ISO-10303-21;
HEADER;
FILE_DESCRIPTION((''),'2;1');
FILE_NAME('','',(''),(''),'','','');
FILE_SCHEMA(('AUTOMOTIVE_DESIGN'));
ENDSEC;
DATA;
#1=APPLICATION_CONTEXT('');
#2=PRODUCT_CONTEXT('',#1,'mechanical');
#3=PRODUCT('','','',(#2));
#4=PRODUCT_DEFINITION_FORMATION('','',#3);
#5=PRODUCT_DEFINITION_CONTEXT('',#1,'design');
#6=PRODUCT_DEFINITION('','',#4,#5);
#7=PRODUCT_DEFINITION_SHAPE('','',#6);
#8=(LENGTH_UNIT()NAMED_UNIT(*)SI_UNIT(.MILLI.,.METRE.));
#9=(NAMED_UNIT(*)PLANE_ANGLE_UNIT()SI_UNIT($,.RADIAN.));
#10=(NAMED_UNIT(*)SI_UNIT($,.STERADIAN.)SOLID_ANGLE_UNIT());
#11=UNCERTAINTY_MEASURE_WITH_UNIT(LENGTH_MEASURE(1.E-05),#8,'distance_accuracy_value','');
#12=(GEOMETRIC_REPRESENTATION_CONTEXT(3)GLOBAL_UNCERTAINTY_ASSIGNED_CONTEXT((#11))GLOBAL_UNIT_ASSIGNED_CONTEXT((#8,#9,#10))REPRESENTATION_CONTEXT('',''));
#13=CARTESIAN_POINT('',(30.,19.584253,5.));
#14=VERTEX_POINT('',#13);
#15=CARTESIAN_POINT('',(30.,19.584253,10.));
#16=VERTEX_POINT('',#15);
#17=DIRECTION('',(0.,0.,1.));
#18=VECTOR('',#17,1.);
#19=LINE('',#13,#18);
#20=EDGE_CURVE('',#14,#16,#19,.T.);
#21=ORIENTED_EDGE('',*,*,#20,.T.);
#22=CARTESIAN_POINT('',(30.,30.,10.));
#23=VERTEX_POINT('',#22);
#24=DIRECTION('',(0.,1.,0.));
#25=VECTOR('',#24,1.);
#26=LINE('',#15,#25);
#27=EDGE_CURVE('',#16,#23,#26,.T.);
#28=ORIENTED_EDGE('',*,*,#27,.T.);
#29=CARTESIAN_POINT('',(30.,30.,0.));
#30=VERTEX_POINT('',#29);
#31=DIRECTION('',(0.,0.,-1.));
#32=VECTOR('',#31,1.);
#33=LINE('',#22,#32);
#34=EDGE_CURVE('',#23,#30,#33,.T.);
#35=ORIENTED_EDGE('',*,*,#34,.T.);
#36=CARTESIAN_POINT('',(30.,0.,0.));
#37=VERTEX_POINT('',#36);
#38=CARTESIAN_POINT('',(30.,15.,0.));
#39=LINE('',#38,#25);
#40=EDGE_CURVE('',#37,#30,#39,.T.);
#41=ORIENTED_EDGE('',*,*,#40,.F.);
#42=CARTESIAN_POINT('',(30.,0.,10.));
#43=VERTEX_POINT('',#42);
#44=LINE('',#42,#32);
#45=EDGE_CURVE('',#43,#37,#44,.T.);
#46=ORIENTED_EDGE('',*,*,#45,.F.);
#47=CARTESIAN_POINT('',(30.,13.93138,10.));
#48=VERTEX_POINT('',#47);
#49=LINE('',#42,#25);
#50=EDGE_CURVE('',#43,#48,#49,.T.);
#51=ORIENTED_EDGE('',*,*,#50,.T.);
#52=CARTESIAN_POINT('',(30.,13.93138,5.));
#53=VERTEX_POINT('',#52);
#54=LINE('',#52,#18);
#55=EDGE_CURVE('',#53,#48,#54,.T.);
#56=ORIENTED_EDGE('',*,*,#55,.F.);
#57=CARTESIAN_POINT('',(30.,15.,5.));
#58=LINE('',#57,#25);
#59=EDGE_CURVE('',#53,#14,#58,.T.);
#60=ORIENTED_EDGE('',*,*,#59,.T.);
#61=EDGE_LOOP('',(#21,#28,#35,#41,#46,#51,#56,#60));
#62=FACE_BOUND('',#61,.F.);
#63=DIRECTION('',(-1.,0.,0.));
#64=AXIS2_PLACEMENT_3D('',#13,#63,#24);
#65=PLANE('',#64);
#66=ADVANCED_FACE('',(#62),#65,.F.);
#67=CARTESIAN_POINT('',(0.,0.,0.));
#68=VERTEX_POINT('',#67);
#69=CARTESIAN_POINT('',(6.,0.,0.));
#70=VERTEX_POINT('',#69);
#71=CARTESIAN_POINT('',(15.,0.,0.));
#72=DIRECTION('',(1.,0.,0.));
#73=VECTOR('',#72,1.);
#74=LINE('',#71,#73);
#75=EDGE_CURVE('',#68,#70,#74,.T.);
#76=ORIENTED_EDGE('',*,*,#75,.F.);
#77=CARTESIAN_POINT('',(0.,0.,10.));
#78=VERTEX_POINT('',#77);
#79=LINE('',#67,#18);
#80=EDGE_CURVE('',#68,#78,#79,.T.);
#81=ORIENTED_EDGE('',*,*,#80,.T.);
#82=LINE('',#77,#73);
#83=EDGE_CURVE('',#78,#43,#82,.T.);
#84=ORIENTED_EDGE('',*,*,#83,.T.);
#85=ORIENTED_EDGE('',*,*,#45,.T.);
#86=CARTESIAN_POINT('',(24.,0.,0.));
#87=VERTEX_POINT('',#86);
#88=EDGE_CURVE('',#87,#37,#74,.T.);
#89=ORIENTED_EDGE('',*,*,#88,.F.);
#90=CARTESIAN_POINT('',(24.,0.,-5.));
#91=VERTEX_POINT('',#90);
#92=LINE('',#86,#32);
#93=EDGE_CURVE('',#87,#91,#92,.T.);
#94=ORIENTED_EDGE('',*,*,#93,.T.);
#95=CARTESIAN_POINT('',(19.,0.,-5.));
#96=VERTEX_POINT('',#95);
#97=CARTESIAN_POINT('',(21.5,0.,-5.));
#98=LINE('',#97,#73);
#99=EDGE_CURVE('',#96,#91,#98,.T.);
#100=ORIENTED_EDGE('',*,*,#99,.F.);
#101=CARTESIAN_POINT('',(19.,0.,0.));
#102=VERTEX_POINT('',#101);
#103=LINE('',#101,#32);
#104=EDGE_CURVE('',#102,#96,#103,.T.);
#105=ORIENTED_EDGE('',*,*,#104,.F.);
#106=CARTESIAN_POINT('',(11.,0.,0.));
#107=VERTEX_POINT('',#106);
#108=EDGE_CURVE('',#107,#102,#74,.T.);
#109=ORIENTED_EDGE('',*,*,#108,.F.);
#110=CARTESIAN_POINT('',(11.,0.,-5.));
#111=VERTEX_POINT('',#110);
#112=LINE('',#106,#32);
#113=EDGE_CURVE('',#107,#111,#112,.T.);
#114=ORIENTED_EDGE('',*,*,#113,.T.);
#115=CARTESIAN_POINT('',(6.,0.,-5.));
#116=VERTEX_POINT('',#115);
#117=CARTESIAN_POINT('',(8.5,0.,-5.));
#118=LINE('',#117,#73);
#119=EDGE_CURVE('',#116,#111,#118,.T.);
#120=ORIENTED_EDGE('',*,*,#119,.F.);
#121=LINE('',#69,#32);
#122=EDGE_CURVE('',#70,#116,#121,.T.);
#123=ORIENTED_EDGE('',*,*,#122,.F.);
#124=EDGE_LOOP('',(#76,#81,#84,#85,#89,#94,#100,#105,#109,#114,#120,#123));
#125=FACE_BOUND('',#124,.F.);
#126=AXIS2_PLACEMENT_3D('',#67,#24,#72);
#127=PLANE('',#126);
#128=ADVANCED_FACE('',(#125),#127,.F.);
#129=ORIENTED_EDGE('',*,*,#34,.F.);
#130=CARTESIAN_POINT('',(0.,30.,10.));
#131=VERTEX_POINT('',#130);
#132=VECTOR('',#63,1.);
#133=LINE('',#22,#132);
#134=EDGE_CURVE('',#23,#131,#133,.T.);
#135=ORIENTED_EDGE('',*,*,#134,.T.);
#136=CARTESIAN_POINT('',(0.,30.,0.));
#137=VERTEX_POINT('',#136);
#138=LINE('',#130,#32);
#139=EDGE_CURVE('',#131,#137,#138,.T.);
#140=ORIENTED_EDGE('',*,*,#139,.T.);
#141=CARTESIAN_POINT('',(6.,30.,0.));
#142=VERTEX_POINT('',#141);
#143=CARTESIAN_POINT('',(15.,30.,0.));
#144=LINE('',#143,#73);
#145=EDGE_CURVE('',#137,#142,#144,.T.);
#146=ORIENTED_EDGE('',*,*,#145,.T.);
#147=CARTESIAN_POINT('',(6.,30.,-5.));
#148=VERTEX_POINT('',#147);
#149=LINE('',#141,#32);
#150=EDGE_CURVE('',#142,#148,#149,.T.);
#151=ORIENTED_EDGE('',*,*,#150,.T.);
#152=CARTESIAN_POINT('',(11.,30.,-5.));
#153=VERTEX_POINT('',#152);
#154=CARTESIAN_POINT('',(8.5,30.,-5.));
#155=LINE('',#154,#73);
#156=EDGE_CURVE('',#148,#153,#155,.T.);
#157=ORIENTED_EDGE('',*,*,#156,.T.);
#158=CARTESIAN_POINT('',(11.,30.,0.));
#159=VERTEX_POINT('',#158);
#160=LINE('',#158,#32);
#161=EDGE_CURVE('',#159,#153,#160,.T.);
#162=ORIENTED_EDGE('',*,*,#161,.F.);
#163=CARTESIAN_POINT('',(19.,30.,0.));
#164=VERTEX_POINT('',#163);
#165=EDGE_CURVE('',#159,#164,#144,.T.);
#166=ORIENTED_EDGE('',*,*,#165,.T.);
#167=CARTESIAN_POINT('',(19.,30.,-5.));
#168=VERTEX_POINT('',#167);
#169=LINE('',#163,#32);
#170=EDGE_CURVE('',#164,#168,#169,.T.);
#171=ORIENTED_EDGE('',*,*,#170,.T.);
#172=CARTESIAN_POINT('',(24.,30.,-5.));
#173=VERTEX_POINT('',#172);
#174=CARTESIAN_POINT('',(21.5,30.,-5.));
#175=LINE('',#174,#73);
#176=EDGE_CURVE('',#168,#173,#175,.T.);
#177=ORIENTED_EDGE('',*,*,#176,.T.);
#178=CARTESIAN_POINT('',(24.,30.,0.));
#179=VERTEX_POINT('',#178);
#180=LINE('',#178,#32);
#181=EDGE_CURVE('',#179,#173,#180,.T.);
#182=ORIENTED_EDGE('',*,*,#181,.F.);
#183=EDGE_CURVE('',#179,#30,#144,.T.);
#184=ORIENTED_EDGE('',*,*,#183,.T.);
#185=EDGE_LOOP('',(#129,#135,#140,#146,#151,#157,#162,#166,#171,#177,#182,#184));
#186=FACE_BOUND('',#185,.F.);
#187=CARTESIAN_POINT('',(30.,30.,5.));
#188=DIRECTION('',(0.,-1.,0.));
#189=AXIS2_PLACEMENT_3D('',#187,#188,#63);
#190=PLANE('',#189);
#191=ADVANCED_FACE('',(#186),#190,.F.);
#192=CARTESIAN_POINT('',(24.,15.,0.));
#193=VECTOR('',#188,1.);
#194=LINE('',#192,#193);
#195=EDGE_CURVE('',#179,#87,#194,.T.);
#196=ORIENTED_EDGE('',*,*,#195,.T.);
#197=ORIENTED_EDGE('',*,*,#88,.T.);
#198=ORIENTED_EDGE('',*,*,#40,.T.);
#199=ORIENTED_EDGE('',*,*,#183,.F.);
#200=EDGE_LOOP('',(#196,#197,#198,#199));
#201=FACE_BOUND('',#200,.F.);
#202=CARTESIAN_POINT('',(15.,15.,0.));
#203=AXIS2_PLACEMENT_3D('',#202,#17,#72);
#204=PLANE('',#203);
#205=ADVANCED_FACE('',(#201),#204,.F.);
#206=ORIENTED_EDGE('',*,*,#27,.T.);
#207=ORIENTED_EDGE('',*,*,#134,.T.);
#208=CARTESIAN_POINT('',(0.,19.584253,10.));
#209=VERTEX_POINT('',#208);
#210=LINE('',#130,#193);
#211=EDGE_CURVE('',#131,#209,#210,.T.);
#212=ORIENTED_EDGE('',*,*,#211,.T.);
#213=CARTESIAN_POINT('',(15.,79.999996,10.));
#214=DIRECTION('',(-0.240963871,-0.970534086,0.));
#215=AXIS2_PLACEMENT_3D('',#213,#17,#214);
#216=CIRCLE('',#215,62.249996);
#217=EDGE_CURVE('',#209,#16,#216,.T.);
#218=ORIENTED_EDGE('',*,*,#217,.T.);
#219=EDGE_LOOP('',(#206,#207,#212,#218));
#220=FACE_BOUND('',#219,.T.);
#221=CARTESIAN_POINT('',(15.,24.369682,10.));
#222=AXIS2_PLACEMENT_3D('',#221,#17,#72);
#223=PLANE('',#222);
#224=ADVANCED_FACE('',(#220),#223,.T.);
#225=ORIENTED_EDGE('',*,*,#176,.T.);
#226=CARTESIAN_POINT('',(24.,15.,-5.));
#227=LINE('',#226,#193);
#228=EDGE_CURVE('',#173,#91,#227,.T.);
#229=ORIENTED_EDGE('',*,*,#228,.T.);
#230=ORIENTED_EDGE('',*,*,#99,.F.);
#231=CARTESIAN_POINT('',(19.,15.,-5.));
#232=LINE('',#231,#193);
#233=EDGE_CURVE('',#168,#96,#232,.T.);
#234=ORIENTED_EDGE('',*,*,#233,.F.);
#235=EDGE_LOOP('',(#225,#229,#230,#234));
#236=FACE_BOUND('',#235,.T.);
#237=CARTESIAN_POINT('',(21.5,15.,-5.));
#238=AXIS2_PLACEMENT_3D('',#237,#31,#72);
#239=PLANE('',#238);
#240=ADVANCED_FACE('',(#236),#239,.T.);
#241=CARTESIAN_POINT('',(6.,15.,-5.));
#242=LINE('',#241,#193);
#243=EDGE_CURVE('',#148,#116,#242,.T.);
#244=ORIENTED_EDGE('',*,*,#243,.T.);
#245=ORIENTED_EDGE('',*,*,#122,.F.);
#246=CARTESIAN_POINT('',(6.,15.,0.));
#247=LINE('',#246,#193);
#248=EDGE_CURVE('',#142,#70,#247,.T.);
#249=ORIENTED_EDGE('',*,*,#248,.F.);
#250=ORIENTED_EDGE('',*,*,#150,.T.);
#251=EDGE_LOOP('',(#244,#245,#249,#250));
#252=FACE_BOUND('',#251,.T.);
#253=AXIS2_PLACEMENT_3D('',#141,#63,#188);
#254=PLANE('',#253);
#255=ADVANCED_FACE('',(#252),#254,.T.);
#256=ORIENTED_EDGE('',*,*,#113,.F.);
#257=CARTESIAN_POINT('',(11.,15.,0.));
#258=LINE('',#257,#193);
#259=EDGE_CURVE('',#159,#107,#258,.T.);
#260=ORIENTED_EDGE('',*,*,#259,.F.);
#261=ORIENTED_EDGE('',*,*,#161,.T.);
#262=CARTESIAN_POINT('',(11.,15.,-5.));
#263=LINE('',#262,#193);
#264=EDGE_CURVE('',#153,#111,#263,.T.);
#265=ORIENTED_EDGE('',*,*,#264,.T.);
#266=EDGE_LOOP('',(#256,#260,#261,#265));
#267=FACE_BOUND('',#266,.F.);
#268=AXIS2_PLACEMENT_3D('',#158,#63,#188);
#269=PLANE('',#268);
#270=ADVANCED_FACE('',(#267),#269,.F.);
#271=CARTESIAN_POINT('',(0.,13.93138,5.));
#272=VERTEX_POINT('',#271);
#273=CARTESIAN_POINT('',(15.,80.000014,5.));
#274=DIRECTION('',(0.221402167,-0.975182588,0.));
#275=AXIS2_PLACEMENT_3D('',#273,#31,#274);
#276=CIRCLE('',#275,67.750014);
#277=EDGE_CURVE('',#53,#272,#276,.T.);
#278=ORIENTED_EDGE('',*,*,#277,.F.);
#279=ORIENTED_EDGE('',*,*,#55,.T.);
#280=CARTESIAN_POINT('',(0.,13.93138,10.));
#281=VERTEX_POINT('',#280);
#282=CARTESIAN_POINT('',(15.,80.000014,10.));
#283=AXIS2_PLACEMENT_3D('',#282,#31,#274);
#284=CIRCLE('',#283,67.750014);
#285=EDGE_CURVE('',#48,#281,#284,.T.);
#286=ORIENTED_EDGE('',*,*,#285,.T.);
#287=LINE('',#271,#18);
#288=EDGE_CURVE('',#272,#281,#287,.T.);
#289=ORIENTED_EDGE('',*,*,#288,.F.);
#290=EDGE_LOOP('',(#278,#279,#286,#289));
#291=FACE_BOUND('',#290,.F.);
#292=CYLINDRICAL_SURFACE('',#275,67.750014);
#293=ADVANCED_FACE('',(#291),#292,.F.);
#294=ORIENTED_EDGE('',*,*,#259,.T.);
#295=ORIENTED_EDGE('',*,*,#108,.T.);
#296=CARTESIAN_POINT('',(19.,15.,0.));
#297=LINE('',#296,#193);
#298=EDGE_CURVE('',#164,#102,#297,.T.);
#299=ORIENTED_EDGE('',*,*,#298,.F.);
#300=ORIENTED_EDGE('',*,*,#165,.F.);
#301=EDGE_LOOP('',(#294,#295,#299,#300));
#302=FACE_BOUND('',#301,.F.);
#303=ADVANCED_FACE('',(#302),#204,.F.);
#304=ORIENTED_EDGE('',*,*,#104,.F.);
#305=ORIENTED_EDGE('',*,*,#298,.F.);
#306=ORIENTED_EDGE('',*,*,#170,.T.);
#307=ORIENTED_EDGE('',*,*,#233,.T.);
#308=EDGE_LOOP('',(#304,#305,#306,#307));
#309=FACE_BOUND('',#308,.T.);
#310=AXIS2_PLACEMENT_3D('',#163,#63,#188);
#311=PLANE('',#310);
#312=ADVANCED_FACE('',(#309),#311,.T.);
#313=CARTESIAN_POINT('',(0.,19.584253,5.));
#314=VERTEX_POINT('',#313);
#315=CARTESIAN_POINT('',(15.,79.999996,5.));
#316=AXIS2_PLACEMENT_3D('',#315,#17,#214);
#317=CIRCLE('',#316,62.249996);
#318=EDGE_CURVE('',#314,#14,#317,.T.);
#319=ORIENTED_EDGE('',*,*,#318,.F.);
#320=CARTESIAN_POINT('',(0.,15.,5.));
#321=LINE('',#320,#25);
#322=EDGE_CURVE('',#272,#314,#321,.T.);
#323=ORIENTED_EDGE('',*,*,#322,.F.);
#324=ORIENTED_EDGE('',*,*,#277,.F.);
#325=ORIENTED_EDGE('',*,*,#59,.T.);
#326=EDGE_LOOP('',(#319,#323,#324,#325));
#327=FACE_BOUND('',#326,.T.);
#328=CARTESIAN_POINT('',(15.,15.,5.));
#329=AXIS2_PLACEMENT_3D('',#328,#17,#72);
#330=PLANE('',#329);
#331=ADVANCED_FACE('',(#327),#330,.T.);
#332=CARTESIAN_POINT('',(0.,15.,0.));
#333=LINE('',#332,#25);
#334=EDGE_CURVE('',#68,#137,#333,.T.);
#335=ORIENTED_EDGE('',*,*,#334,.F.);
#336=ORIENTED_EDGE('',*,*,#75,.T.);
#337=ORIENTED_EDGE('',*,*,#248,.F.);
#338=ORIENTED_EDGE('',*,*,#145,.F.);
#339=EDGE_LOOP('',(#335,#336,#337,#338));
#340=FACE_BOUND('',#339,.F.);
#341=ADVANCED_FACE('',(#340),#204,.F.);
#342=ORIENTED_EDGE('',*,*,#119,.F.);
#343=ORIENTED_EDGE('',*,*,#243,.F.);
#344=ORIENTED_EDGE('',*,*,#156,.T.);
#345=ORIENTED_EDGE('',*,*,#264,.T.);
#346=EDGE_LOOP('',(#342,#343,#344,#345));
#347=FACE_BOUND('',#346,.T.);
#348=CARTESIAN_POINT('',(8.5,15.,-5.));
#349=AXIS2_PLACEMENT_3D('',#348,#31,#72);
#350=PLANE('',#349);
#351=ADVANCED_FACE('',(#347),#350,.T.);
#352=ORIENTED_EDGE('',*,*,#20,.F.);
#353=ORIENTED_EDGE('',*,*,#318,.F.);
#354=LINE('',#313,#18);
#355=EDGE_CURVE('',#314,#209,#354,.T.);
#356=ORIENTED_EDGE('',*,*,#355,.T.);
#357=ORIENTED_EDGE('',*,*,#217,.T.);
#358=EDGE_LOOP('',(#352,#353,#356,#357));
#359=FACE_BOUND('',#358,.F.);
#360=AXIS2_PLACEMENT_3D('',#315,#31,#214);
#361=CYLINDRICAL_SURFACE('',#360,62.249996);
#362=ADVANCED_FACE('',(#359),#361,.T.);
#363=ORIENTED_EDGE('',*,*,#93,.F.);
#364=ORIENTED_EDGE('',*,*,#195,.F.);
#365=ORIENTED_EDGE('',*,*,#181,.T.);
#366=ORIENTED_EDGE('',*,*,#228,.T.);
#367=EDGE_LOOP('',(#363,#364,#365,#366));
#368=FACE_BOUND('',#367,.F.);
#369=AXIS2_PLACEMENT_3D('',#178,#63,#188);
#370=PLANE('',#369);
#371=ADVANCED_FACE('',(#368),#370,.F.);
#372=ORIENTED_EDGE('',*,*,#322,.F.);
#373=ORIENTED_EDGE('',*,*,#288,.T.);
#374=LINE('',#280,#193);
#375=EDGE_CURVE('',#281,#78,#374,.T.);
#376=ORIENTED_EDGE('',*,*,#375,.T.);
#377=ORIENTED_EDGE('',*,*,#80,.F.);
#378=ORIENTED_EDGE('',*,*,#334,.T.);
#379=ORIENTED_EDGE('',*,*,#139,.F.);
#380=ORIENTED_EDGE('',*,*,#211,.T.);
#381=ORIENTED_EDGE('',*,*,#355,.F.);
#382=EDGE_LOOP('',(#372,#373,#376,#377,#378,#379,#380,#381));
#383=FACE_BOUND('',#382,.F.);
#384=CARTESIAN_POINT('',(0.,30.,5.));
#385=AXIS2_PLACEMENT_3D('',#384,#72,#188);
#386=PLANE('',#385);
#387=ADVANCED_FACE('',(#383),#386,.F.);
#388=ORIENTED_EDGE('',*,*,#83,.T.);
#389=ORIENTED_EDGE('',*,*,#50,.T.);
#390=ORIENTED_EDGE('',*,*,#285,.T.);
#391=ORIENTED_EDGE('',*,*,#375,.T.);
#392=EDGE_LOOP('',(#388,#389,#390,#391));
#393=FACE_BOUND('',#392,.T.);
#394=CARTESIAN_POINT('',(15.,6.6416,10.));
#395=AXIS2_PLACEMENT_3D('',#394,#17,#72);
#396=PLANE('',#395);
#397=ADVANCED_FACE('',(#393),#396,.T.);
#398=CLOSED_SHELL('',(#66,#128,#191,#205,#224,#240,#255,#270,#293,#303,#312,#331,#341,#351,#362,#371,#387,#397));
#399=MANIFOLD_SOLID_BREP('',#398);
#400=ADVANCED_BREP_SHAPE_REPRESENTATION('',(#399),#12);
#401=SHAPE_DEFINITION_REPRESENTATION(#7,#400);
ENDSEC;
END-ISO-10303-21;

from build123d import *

# Parameters (mm, degrees)
F0_W     = 30
F0_H     = 30
F1_DEPTH = 5
F3_DEPTH = 5
F4_W     = 5
F4_H     = 30
F5_DEPTH = 5


with BuildPart() as f1:
    # F0 (on Top) → F1 (new body)
    with BuildSketch(Plane.XY):
        with Locations((15, 15)):
            Rectangle(F0_W, F0_H)
    extrude(amount=F1_DEPTH)

    # F2 (on face) → F3 (join)
    with BuildSketch(Plane.XY.offset(5)):
        with BuildLine():
            Line((0, 30), (0, 19.584253))
            ThreePointArc((0, 19.584253), (15, 17.75), (30, 19.584253))
            Line((30, 19.584253), (30, 30))
            Line((30, 30), (0, 30))
        make_face()
        with BuildLine():
            Line((30, 0), (30, 13.93138))
            ThreePointArc((30, 13.93138), (15, 12.25), (0, 13.93138))
            Line((0, 13.93138), (0, 0))
            Line((0, 0), (30, 0))
        make_face()
    extrude(amount=F3_DEPTH)

    # F4 (on face) → F5 (join)
    with BuildSketch(Plane(origin=(0, 0, 0), x_dir=(1, 0, 0), z_dir=(0, 0, -1))):
        with Locations((8.5, -15)):
            Rectangle(F4_W, F4_H)
        with Locations((21.5, -15)):
            Rectangle(F4_W, F4_H)
    extrude(amount=F5_DEPTH)


solid = f1.part
